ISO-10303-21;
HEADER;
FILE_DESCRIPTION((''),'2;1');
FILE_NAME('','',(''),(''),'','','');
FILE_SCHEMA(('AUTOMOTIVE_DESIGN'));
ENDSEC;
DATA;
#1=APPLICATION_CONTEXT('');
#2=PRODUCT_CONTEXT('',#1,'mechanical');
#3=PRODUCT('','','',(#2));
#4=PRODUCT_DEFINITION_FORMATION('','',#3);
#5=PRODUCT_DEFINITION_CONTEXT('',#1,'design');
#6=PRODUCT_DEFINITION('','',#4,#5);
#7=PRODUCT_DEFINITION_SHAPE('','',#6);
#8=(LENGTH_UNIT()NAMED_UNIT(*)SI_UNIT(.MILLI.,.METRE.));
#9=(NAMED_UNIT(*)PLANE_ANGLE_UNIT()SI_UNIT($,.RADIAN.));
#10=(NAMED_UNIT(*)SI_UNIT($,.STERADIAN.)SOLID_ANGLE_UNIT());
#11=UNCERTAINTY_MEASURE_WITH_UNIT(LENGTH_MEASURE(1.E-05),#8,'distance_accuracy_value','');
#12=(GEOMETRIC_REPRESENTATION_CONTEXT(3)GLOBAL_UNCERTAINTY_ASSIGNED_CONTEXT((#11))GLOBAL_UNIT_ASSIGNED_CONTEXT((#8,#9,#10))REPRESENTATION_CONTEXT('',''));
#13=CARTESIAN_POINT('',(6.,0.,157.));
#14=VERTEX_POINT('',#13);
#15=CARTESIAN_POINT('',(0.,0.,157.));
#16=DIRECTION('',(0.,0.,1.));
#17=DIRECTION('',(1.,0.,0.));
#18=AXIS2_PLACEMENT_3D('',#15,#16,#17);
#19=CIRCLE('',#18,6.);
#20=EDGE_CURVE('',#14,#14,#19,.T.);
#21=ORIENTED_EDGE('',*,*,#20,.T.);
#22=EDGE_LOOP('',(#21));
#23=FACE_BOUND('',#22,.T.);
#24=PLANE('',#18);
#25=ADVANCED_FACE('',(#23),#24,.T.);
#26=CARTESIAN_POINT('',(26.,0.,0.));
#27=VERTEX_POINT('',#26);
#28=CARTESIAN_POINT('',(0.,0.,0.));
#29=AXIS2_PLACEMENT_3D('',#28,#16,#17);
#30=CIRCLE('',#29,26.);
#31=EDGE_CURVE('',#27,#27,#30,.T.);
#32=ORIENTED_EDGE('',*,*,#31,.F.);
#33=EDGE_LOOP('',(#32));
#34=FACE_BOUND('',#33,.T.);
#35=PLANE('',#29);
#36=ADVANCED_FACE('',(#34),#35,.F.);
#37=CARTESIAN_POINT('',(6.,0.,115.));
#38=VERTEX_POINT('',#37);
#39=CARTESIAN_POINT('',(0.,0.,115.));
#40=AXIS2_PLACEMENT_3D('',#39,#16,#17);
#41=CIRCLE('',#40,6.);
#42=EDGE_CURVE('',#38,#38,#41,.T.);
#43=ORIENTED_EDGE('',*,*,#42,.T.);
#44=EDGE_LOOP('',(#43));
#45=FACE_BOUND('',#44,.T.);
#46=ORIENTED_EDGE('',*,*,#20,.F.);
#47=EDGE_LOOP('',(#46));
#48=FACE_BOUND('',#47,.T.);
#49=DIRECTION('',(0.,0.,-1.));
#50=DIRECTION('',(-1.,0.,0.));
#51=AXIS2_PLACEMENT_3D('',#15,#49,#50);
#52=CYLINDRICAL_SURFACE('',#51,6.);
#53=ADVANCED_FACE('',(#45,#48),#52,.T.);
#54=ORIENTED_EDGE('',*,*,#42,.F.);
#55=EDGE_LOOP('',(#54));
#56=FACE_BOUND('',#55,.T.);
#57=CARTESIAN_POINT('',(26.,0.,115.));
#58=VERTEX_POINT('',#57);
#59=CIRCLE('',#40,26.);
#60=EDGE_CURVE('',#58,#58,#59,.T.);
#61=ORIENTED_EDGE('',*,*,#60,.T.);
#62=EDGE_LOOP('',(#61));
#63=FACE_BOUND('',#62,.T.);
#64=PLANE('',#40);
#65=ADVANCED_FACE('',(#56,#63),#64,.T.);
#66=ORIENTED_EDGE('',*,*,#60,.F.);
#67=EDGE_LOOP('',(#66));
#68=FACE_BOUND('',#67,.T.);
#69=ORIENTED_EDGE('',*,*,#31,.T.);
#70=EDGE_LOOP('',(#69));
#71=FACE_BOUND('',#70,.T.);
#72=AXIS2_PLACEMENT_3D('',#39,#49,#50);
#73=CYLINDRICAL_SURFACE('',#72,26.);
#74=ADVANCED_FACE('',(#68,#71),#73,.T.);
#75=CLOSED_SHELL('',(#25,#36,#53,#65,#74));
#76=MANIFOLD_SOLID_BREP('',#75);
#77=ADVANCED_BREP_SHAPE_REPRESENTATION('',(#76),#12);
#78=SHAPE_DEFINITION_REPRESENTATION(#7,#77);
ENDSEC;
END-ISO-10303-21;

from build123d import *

# Parameters (mm, degrees)
SKETCH1_R           = 26
BOSS_EXTRUDE1_DEPTH = 115
SKETCH2_R           = 6
BOSS_EXTRUDE2_DEPTH = 42


with BuildPart() as part:
    # Sketch1 → Boss-Extrude1 (new body)
    with BuildSketch(Plane.XY):
        Circle(SKETCH1_R)
    extrude(amount=BOSS_EXTRUDE1_DEPTH)

    # Sketch2 → Boss-Extrude2 (add)
    with BuildSketch(Plane.XY.offset(115)):
        Circle(SKETCH2_R)
    extrude(amount=BOSS_EXTRUDE2_DEPTH)


solid = part.part
